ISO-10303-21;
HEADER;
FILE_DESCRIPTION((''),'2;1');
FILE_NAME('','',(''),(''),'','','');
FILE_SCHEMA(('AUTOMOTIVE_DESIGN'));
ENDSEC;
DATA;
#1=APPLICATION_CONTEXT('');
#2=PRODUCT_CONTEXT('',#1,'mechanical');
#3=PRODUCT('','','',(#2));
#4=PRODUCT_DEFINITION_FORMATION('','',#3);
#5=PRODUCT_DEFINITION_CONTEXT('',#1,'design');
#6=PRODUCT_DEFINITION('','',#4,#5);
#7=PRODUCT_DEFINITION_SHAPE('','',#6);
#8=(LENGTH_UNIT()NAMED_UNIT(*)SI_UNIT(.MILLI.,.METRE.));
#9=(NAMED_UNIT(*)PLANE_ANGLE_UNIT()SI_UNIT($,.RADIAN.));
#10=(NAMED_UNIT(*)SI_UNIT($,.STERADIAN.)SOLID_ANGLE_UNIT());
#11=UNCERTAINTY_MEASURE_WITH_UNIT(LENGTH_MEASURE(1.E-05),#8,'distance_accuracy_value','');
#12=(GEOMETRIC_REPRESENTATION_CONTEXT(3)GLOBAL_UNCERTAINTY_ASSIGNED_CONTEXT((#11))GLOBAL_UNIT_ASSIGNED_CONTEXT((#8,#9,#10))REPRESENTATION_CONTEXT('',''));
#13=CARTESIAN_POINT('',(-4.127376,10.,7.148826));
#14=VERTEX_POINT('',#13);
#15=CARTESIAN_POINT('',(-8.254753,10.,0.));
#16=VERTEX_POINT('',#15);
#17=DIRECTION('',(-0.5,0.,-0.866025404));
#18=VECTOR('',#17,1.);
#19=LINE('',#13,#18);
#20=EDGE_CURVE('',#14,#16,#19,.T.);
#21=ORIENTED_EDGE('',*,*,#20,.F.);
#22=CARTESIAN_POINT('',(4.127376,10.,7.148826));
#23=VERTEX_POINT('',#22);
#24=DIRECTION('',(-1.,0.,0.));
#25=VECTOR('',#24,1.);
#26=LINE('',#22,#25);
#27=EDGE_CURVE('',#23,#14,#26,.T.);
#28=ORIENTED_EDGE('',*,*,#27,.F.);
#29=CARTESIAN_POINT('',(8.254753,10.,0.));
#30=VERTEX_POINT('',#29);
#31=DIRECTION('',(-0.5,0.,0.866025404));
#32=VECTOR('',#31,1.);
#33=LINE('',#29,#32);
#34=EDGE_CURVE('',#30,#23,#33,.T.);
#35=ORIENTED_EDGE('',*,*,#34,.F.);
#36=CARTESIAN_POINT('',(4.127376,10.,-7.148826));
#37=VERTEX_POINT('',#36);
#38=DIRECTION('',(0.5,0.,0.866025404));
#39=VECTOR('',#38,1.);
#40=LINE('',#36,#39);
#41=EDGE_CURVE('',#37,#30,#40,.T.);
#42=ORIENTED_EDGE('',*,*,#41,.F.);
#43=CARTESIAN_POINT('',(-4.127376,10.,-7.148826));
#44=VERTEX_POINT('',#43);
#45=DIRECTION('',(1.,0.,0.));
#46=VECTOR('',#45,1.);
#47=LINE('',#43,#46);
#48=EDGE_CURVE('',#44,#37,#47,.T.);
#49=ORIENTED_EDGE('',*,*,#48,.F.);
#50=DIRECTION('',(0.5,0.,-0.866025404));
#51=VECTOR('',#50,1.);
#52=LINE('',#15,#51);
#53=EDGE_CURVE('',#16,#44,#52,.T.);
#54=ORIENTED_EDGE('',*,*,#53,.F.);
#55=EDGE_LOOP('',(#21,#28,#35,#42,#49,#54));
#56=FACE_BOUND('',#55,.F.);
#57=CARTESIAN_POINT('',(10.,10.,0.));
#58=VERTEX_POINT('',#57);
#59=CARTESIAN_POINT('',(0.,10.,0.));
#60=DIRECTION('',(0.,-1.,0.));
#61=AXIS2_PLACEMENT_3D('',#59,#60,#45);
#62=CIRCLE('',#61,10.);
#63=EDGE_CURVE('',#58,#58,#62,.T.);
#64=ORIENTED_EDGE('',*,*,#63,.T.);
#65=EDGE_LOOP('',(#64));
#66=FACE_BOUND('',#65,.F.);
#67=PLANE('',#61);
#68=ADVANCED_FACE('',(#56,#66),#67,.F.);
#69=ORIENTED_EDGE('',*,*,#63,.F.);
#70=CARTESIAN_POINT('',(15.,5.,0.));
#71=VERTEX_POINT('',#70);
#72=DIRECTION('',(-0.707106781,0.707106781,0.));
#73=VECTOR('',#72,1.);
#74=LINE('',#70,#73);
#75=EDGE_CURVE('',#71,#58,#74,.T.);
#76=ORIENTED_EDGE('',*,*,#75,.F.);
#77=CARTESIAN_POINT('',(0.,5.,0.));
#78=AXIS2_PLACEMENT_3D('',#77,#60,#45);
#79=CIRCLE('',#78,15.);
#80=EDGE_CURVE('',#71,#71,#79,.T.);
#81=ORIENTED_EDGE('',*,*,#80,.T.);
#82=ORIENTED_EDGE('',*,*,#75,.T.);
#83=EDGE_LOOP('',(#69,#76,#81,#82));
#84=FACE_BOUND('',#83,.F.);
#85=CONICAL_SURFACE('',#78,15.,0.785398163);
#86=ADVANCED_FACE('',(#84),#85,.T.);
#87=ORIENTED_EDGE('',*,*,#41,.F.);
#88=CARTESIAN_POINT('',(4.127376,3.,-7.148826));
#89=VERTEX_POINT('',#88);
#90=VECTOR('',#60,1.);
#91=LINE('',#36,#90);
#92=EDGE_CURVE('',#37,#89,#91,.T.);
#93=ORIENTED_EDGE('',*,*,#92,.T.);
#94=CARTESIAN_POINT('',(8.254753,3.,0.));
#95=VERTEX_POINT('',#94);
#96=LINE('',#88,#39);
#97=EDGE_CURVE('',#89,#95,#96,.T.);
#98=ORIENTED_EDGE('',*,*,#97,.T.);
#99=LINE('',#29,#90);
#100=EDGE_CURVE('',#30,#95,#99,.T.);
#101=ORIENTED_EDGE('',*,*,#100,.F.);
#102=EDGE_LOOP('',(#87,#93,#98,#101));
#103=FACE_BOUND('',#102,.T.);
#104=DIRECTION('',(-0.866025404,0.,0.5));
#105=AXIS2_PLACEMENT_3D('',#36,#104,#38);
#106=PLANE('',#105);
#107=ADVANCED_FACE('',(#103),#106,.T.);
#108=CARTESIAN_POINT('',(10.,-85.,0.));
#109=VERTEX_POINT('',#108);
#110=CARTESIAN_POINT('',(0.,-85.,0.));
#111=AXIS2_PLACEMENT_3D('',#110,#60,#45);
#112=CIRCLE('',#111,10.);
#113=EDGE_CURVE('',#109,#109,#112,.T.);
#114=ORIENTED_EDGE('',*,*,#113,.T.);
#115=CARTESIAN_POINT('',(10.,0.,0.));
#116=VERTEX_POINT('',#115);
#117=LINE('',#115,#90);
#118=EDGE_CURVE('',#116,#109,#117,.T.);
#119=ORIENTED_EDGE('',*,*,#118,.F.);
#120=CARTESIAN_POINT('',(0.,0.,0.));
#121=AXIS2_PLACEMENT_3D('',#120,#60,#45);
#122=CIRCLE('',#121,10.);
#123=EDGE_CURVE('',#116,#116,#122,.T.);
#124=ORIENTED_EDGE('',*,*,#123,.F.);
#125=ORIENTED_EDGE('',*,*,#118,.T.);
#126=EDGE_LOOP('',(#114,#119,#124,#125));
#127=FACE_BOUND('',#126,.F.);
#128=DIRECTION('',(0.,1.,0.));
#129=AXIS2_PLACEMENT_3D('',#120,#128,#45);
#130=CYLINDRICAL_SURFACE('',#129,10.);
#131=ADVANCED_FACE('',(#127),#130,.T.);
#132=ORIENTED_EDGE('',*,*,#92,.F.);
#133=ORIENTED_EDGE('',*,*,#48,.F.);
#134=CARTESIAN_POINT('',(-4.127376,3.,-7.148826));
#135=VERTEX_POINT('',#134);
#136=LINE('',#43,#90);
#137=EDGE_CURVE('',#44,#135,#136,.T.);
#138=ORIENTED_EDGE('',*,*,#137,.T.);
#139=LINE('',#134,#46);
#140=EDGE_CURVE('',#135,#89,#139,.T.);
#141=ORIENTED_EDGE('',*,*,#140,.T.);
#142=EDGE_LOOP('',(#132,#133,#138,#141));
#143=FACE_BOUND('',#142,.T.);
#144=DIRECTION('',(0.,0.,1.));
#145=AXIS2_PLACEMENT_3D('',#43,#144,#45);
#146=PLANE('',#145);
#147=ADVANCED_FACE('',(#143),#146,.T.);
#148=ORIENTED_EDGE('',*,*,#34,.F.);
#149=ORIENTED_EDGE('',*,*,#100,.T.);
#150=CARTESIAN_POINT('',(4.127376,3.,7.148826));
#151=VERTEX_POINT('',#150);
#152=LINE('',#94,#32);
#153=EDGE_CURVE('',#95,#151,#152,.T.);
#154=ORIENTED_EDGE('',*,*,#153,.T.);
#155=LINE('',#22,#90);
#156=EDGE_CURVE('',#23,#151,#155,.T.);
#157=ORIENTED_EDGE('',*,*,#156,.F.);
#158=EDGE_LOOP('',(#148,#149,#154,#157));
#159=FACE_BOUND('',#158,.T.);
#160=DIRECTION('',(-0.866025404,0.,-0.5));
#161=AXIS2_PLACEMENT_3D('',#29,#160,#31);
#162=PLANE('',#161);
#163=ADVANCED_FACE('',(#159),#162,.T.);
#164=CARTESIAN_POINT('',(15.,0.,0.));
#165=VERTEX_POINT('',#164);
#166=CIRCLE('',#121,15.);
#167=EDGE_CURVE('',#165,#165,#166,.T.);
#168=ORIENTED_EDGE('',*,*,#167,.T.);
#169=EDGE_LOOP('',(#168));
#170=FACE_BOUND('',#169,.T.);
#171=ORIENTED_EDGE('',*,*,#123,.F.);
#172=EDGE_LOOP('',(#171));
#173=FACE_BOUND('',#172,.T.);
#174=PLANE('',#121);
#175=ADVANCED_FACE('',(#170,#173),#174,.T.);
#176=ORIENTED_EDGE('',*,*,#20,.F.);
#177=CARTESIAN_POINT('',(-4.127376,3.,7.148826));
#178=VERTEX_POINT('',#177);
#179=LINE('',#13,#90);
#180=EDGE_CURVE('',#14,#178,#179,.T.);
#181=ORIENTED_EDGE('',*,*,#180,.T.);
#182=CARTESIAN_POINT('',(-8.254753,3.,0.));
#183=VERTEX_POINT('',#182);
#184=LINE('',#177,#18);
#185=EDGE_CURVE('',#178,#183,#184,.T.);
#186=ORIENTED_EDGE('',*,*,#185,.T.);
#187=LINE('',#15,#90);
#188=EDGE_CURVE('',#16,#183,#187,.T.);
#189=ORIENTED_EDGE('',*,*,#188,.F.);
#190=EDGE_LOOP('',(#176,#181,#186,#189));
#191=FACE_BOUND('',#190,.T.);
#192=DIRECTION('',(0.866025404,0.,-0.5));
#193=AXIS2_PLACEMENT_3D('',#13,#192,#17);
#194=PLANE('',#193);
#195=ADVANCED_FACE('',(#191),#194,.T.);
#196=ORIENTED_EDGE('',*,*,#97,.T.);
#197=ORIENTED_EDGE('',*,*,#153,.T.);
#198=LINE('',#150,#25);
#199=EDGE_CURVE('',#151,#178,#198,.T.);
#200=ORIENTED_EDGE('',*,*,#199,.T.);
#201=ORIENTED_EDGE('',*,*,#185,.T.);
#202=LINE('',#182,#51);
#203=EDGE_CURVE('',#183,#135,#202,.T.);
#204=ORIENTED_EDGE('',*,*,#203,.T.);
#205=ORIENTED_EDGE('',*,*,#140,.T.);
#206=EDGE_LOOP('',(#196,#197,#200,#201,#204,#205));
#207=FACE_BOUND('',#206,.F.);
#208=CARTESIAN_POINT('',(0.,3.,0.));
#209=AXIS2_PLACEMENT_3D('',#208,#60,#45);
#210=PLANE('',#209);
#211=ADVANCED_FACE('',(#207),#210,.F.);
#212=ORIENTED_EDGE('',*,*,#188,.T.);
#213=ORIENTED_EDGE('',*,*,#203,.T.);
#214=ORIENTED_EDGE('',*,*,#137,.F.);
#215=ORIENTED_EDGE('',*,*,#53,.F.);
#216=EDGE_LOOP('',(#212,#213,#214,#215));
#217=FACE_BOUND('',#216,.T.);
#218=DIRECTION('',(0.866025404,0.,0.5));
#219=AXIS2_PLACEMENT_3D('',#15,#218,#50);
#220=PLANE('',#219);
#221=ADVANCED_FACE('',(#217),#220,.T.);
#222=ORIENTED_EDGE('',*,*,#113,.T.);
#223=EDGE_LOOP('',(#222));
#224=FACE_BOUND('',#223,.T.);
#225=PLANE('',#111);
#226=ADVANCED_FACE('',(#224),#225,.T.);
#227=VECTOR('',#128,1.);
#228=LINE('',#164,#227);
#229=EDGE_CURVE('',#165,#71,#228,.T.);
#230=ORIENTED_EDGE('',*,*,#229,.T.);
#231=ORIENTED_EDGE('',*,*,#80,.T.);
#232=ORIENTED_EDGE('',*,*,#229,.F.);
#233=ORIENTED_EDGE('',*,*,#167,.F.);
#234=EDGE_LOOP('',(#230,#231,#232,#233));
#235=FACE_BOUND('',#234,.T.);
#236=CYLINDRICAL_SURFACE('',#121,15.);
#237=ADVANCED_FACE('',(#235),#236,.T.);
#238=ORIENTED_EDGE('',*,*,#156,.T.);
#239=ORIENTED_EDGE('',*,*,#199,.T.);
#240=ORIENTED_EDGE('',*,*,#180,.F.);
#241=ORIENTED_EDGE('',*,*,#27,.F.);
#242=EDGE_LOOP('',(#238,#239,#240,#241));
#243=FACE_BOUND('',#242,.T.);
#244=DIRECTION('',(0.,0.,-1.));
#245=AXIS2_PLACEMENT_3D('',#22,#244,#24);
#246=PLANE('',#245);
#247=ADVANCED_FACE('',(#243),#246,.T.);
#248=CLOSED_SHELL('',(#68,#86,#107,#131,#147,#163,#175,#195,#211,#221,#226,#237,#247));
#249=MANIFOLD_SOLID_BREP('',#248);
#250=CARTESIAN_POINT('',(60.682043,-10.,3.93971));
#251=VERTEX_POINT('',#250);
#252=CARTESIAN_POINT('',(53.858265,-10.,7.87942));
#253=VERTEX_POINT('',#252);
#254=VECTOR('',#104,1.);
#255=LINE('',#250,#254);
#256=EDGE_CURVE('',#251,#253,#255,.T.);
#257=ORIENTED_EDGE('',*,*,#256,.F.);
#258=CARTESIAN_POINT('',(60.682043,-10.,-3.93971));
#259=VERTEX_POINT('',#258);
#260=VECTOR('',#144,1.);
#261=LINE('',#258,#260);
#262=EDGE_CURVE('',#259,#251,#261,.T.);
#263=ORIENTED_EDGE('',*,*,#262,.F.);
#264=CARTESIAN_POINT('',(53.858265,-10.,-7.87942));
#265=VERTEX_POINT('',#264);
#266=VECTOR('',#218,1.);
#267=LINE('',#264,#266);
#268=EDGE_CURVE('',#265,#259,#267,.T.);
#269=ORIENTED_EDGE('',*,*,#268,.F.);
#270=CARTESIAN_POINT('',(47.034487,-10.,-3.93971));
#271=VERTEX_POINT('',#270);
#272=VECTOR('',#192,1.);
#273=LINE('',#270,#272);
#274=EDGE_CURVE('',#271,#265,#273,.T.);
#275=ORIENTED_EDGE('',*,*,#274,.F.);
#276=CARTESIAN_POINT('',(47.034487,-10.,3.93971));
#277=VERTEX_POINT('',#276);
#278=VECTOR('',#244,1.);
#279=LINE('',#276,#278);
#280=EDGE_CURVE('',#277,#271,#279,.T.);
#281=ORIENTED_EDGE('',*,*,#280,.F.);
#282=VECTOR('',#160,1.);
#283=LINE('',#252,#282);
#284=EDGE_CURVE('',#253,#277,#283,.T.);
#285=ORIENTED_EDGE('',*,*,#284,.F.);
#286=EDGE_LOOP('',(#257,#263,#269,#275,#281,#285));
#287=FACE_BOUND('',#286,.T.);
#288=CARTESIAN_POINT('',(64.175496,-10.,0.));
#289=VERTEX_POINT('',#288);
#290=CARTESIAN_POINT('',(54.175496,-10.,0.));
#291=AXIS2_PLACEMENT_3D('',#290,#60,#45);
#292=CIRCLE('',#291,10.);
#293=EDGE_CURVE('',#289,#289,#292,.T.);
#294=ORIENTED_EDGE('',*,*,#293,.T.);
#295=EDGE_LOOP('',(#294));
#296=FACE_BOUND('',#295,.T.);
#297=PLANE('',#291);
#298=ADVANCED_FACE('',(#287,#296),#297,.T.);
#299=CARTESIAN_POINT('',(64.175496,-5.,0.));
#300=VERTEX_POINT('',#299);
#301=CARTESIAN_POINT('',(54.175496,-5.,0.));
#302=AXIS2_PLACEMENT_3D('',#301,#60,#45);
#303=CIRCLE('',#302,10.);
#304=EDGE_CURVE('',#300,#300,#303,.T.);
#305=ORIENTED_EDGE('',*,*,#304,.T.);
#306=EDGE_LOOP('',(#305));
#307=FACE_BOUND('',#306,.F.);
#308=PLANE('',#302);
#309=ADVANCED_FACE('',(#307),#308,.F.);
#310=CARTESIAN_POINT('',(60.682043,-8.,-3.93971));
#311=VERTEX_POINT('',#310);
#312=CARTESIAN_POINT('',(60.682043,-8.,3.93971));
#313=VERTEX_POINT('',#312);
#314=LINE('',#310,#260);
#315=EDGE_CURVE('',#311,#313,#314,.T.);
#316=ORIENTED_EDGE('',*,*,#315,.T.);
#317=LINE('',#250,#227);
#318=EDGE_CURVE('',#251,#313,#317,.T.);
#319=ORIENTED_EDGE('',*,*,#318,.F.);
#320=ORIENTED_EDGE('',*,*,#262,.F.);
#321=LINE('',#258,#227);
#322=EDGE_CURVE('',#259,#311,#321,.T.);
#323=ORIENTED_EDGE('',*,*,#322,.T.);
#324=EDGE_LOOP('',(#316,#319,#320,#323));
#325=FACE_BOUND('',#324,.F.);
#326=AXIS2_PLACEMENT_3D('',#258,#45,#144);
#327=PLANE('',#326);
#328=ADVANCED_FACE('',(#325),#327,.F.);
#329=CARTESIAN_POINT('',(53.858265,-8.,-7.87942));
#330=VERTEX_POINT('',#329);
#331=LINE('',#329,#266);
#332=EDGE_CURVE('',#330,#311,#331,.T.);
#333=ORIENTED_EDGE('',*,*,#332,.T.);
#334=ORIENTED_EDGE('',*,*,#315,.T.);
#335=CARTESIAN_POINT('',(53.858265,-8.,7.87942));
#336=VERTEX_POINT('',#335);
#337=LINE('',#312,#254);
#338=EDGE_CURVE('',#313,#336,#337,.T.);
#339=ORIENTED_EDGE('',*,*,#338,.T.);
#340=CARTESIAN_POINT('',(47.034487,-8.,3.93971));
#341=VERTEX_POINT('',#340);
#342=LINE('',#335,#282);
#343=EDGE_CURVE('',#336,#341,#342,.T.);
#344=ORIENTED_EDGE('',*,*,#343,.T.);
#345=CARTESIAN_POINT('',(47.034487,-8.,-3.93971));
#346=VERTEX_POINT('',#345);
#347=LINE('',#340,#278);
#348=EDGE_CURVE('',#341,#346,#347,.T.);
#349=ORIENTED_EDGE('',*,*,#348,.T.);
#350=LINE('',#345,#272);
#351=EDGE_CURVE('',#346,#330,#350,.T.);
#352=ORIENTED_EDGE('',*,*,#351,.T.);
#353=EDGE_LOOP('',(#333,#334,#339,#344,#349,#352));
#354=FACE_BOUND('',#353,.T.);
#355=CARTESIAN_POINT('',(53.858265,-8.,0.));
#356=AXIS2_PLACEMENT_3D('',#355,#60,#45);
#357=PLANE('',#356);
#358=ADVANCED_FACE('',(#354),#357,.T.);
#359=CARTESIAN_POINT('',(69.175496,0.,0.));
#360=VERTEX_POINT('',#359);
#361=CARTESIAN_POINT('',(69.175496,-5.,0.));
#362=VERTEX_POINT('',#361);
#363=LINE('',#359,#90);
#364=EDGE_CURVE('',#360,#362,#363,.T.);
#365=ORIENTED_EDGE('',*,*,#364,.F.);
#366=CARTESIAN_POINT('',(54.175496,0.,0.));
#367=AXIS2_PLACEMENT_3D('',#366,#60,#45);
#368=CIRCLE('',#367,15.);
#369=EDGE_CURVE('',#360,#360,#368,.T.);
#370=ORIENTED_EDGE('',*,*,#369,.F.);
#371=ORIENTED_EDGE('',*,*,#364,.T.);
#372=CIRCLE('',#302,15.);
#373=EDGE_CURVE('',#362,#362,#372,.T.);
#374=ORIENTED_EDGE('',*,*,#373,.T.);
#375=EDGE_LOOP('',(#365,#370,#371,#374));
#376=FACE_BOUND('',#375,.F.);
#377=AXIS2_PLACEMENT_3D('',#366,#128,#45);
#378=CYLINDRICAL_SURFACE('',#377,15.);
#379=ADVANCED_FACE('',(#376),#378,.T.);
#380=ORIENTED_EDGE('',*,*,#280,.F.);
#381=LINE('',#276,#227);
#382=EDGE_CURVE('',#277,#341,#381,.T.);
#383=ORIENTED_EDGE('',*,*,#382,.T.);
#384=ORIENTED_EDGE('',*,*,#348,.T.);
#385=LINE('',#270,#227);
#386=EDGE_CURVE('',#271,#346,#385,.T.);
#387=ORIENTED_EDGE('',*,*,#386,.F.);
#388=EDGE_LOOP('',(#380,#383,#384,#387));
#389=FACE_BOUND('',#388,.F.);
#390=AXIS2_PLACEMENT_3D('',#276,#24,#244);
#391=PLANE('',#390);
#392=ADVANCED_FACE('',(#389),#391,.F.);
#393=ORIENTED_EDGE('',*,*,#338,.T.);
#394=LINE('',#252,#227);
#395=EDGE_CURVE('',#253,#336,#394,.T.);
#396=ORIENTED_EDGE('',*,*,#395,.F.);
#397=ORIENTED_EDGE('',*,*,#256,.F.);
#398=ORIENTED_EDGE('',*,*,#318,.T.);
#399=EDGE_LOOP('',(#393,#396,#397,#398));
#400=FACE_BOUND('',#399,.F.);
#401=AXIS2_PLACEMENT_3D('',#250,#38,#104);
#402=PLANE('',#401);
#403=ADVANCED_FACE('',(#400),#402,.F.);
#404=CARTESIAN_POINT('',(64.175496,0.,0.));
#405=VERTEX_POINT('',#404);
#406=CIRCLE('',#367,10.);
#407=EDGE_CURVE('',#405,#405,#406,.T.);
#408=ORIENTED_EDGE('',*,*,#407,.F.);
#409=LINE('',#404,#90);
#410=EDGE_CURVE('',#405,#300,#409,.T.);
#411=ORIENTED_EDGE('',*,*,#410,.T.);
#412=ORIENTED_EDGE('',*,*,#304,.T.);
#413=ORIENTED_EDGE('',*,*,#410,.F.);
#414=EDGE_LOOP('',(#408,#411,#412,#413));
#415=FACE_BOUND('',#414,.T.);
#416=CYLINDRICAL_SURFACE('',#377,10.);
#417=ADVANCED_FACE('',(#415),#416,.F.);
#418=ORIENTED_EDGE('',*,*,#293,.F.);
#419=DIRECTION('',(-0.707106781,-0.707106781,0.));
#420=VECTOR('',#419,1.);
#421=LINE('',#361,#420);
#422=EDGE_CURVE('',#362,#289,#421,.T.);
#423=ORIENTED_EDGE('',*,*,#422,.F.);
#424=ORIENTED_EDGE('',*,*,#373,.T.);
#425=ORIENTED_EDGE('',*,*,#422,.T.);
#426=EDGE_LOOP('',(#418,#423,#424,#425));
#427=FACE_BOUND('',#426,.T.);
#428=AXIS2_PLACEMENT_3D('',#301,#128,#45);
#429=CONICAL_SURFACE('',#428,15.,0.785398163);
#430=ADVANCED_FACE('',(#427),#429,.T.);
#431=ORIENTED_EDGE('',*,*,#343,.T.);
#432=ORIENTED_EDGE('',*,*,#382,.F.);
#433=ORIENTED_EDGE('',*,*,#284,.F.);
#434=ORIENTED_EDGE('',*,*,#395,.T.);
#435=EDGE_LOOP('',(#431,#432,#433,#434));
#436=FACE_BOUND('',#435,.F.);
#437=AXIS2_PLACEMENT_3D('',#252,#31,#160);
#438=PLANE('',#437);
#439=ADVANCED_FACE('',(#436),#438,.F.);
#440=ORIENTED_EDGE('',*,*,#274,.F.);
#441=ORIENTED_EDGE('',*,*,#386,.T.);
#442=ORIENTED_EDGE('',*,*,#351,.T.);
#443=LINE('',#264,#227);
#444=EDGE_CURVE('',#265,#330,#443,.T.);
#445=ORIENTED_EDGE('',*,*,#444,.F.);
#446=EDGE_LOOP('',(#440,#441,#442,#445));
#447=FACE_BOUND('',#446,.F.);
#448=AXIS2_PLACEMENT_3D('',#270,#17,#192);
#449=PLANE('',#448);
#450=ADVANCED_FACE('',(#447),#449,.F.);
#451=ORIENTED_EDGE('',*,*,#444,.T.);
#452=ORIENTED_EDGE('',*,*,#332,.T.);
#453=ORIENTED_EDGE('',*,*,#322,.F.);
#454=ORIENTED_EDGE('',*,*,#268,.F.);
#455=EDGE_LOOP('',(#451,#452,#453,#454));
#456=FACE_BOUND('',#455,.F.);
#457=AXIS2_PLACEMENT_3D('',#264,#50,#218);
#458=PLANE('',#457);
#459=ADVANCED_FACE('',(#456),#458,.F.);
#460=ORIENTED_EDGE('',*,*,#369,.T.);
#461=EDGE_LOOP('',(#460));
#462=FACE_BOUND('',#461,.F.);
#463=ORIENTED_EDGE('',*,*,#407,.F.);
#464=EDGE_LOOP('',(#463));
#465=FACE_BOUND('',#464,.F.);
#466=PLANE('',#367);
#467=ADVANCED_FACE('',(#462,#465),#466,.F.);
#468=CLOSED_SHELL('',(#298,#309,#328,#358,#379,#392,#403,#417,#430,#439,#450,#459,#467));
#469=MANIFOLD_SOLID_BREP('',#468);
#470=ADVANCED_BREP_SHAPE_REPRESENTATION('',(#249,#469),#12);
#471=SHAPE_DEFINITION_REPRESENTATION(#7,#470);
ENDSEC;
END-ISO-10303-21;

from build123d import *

# Parameters (mm, degrees)
F0_R      = 10
F1_DEPTH  = 85
F0_R_2    = 15
F1_FACE_R = 10
F2_DEPTH  = 10
F3_R      = 15
F3_R_2    = 10
F4_DEPTH  = 10
F5_DEPTH  = 5
F6_SIZE   = 5
F6_2_SIZE = 5
F9_DEPTH  = 7
F12_DEPTH = 2


with BuildPart() as f1:
    # F0 (on Front) → F1 (new body)
    with BuildSketch(Plane.XZ):
        Circle(F0_R)
    extrude(amount=F1_DEPTH)

    # F0 (on Front) + F1_face (on face) → F2 (join)
    with BuildSketch(Plane.XZ):
        Circle(F0_R_2)
        Circle(F0_R, mode=Mode.SUBTRACT)
    with BuildSketch(Plane(origin=(0, 0, 0), x_dir=(1, 0, 0), z_dir=(0, 1, 0))):
        Circle(F1_FACE_R)
    extrude(amount=-F2_DEPTH, dir=(0, -1, 0))

    # F6
    f6_edges = [f1.edges().sort_by_distance(p)[0] for p in [
        (-15, 10, 0),
    ]]
    chamfer(f6_edges, length=F6_SIZE)

    # F8 (on offset) → F9 (cut)
    with BuildSketch(Plane.XZ.offset(-10)):
        Polygon((4.1273763635, 7.1488255635), (-4.1273763635, 7.1488255635), (-8.2547527269, 0), (-4.1273763635, -7.1488255635), (4.1273763635, -7.1488255635), (8.2547527269, 0), align=None)
    extrude(amount=F9_DEPTH, mode=Mode.SUBTRACT)


with BuildPart() as f4:
    # F3 (on Front) → F4 (new body)
    with BuildSketch(Plane.XZ):
        with Locations((54.1754961014, 0)):
            Circle(F3_R)
        with Locations((54.1754961014, 0)):
            Circle(F3_R_2, mode=Mode.SUBTRACT)
        with Locations((54.1754961014, 0)):
            Circle(F3_R_2)
    extrude(amount=F4_DEPTH)

    # F3 (on Front) → F5 (cut)
    with BuildSketch(Plane.XZ):
        with Locations((54.1754961014, 0)):
            Circle(F3_R_2)
    extrude(amount=F5_DEPTH, mode=Mode.SUBTRACT)

    # F6#2
    f6_2_edges = [f4.edges().sort_by_distance(p)[0] for p in [
        (39.175496, -10, 0),
    ]]
    chamfer(f6_2_edges, length=F6_2_SIZE)

    # F11 (on offset) → F12 (cut)
    with BuildSketch(Plane.XZ.offset(10)):
        Polygon((60.6820434332, -3.9397101532), (60.6820434332, 3.9397101532), (53.8582652807, 7.8794203064), (47.0344871283, 3.9397101532), (47.0344871283, -3.9397101532), (53.8582652807, -7.8794203064), align=None)
    extrude(amount=-F12_DEPTH, mode=Mode.SUBTRACT)


solid = Compound([f1.part, f4.part])
